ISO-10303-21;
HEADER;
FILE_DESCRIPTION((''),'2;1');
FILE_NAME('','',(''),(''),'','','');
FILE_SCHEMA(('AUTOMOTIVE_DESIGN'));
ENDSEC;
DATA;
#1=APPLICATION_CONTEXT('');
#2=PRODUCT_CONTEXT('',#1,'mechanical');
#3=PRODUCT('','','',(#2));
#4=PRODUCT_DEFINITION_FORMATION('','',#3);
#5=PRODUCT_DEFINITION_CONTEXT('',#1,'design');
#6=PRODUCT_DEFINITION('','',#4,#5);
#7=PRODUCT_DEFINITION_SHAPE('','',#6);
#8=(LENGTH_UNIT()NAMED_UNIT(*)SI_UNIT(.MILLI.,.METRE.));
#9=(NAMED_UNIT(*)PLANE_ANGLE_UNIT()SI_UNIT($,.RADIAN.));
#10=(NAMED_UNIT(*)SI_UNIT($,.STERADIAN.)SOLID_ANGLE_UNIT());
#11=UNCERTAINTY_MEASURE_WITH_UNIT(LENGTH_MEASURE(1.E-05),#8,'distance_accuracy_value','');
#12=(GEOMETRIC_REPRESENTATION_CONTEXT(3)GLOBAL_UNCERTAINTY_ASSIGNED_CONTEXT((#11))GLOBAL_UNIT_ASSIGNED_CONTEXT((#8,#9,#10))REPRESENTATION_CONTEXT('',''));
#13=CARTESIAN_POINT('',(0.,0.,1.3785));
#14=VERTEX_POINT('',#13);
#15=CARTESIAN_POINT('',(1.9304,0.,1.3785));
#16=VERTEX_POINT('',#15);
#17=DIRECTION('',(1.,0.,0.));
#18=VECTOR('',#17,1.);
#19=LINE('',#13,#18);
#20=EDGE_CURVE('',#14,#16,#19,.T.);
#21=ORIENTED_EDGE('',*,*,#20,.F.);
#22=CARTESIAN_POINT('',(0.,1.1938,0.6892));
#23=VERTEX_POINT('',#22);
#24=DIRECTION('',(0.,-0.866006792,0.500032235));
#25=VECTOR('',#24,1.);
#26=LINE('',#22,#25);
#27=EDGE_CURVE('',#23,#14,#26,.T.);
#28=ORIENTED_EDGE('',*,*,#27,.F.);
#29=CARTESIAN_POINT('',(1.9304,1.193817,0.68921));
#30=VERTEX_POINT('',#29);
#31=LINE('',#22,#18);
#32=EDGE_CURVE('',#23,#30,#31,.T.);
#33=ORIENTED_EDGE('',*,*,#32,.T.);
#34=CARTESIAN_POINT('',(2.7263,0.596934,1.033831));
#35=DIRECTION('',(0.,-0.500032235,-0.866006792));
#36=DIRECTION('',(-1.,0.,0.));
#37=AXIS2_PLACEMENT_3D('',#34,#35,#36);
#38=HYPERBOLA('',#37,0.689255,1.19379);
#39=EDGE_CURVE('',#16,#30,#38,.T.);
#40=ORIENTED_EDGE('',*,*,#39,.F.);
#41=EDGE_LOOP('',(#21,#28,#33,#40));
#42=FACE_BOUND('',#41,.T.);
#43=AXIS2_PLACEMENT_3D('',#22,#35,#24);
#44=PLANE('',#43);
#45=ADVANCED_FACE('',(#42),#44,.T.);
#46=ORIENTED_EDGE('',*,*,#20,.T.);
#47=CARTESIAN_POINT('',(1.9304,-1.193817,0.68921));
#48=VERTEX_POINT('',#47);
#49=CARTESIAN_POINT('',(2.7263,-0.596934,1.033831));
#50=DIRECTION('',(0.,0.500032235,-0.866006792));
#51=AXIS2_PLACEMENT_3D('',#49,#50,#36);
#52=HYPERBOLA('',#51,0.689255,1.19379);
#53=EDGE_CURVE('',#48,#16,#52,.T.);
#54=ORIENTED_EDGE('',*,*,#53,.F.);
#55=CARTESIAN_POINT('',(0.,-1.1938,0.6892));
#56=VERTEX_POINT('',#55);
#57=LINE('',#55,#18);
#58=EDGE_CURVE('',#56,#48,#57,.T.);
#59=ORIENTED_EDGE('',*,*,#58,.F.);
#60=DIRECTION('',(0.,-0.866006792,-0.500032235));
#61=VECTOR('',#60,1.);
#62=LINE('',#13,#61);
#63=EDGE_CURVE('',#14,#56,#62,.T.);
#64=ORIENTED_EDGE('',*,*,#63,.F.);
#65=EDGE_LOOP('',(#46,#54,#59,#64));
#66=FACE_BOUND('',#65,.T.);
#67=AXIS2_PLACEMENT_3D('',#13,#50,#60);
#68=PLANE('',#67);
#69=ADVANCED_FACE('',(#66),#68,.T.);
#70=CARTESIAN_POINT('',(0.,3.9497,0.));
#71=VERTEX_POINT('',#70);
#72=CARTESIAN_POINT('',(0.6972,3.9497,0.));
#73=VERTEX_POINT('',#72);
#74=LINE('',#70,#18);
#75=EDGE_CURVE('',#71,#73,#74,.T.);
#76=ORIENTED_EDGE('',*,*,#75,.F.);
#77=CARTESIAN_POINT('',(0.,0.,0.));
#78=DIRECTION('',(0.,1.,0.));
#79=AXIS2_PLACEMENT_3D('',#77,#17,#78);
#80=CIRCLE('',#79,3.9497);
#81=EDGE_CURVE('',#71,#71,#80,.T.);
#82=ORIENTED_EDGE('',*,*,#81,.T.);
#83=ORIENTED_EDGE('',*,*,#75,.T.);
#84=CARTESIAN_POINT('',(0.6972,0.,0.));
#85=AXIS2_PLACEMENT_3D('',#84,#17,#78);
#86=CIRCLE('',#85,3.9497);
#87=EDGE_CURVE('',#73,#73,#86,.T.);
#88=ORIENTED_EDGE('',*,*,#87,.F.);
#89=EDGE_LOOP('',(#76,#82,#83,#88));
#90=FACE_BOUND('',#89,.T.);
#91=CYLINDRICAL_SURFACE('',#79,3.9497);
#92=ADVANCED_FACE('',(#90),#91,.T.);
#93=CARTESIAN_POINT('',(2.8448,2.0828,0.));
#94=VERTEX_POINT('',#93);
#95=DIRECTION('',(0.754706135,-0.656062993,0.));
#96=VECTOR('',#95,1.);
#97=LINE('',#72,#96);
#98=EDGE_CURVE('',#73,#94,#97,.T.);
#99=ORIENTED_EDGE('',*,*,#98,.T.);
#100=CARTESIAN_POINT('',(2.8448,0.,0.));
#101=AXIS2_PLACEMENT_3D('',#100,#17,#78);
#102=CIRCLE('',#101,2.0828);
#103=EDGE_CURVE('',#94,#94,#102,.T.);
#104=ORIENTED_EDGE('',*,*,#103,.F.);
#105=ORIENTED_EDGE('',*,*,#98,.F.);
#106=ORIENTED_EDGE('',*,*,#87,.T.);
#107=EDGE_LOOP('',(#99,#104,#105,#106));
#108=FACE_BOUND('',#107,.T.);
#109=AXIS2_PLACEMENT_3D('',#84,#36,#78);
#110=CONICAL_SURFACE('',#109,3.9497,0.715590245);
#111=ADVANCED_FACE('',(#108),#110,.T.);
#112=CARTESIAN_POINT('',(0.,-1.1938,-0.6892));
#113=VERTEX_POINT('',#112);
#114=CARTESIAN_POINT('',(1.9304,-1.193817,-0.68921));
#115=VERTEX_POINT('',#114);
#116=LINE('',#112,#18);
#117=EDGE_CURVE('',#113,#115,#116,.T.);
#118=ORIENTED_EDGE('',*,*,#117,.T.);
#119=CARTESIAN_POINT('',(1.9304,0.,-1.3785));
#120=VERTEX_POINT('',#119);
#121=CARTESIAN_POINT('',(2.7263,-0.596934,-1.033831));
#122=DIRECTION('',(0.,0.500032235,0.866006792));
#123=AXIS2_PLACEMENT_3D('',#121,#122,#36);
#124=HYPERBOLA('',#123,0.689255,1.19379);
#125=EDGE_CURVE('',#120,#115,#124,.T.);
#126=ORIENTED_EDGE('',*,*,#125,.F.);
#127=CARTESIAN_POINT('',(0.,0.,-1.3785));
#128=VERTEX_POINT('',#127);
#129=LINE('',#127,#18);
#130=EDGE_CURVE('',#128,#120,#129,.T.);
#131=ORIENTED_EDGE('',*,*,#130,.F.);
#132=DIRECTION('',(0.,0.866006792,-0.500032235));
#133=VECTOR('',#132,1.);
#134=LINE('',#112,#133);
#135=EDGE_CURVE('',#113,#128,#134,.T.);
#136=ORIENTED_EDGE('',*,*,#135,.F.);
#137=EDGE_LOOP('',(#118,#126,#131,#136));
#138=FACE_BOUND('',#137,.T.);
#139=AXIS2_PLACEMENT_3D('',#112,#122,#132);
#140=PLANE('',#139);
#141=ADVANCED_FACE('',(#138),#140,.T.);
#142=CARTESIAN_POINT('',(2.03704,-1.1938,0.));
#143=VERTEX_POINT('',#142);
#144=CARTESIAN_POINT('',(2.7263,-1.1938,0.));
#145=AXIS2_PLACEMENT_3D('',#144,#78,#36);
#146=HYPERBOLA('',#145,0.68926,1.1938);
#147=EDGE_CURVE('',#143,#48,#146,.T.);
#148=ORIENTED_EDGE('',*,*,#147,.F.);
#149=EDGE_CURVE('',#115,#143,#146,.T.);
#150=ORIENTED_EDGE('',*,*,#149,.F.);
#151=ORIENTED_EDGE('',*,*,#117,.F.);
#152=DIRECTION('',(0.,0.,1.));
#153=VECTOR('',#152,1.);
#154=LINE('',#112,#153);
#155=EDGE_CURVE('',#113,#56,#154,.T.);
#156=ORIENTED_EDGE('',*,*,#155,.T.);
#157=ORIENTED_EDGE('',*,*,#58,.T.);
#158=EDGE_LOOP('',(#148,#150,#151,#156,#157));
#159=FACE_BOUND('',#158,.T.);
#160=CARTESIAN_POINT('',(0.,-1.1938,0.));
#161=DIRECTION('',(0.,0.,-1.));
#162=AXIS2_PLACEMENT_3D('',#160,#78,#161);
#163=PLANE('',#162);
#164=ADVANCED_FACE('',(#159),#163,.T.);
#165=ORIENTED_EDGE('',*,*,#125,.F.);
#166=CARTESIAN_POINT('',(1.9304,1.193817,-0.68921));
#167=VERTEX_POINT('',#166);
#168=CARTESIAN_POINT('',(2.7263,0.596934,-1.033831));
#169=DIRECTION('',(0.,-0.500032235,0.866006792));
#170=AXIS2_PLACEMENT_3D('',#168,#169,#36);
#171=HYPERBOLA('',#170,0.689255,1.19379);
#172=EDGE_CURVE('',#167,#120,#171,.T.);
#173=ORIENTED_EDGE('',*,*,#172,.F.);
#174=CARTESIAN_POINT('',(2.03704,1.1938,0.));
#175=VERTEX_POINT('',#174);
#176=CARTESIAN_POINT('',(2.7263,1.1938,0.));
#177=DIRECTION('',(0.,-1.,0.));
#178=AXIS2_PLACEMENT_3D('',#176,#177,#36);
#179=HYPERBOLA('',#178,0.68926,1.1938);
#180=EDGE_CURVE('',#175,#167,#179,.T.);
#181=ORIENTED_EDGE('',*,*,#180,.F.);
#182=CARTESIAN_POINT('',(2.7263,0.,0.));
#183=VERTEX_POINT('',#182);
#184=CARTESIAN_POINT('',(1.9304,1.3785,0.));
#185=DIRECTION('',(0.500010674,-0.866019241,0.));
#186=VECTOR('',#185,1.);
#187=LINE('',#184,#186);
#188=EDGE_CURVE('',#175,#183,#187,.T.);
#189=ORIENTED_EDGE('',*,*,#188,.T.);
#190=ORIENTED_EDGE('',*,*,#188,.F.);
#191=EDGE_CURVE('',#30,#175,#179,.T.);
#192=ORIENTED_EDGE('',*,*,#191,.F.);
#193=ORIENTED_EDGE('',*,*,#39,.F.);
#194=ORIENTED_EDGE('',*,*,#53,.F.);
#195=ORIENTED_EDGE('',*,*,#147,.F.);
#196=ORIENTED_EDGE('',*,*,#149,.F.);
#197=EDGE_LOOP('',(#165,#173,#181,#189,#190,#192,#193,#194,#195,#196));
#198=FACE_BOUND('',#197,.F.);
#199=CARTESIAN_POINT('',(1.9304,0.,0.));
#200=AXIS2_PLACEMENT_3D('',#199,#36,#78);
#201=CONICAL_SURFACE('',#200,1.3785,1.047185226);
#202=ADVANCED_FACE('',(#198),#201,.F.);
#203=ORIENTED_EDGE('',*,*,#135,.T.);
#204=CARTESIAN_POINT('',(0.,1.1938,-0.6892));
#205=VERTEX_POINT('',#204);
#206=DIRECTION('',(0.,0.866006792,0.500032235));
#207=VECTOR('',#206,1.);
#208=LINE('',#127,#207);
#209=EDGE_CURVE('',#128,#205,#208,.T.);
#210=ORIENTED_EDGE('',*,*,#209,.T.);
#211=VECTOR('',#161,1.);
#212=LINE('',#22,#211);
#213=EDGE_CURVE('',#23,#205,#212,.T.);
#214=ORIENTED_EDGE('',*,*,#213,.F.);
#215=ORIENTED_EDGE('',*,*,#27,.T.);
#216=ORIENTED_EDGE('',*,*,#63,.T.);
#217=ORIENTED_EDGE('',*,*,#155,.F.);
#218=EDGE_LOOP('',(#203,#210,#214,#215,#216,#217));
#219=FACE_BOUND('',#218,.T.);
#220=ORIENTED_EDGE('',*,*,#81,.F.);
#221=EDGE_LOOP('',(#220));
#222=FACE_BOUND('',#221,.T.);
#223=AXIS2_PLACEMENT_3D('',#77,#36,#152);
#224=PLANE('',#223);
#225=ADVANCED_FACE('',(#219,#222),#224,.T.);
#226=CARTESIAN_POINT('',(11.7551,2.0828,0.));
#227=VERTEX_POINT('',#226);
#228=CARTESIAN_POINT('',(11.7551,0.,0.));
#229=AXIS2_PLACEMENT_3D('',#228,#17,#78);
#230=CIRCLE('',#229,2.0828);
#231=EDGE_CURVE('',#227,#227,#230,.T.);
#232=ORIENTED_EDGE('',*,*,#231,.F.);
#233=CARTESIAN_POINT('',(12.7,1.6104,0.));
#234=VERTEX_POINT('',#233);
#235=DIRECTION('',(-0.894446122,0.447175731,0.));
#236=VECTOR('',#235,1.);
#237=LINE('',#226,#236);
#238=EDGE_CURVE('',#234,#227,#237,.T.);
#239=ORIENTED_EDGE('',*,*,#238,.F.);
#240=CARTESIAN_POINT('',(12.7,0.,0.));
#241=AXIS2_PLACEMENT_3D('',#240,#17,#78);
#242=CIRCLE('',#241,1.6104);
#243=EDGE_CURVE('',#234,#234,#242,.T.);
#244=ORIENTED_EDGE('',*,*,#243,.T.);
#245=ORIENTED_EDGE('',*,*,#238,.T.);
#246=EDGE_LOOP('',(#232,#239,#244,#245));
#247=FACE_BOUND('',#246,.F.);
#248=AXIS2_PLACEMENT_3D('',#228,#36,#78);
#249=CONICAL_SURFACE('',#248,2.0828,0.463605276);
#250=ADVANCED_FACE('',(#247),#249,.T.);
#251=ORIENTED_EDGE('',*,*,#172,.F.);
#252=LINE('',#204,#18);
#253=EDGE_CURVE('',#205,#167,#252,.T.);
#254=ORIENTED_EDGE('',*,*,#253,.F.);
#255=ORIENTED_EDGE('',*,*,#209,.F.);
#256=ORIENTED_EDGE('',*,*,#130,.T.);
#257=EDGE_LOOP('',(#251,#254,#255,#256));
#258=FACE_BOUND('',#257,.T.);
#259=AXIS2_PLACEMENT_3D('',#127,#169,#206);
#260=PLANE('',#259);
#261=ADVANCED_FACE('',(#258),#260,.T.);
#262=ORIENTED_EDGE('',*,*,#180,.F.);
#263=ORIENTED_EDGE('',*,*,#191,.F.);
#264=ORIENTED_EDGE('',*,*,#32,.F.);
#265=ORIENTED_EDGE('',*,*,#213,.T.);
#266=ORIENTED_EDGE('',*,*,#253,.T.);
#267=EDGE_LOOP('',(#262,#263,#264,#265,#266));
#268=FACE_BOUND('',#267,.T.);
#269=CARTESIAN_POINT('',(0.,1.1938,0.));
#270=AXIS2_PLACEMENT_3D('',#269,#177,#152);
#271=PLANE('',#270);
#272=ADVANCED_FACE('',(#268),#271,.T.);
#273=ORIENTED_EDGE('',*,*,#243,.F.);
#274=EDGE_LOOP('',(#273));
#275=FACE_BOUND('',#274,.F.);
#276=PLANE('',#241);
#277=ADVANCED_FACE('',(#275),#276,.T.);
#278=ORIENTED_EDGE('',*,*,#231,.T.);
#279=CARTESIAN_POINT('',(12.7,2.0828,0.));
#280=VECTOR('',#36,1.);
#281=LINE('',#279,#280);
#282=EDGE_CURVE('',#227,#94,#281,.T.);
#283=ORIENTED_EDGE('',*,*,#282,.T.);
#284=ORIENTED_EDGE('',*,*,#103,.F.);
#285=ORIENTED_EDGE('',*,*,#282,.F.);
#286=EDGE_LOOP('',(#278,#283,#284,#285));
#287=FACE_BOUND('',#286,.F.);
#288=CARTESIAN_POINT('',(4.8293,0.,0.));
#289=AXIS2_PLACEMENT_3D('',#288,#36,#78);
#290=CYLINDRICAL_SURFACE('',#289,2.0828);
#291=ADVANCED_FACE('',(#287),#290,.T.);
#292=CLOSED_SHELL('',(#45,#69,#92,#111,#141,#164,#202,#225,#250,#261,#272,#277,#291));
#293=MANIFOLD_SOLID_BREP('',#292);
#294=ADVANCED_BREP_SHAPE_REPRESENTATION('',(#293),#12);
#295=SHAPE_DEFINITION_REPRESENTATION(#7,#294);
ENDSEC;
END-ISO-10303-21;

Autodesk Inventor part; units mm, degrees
ref_plane "YZ Plane" through (0, 0, 0) normal (1, 0, 0) x (0, 1, 0)
ref_plane "XZ Plane" through (0, 0, 0) normal (0, 1, 0) x (-1, 0, 0)
sketch "Sketch1" plane through (0, 0, 0) normal (0, 0, 1) x (1, 0, 0)
  line L0 (12.7, 0) -> (12.7, 2.0828)
  line L1 (12.7, 2.0828) -> (4.8293, 2.0828)
  line L2 (4.8293, 2.0828) -> (2.8448, 2.0828)
  line L3 (0, 3.9497) -> (0, 1.3785)
  line L4 (0, 1.3785) -> (1.9304, 1.3785)
  line L5 (1.9304, 1.3785) -> (2.7263, 0)
  line L6 (2.7263, 0) -> (12.7, 0)
  line L7 (0, 3.9497) -> (0.6972, 3.9497)
  line L8 (0.6972, 3.9497) -> (2.8448, 2.0828)
  line L9 (2.8448, 2.0828) -> (2.8448, 2.0828)
  line L10 (4.8293, 2.0828) -> (2.8448, 2.0828) construction
  line L11 (2.8448, 2.0828) -> (2.8448, 2.0828)
  line L12 (-2.54, 0) -> (15.24, 0) projected
  line L13 (0, -0.7899) -> (0, 4.7396) projected
  dimension "d0" = 12.7
  dimension "d1" = 7.8707
  dimension "d2" = 1.9304
  dimension "d3" = 4.1656
  dimension "d6" = 2.8448
  dimension "d7" = 41
  dimension "d8" = 2.757
  dimension "d9" = 60
  dimension "d10" = 7.8994
  dimension "d11" = 4.1656
  dimension "d12" = 1.9845
revolve "Body" add sketch "Sketch1" angle 360 about axis through (2.7263, 0, 0) along (1, 0, 0) contours L6 L5 L4 L3 L7 L8 L2 L1 L0
sketch "Sketch2" plane through (0, 0, 0) normal (-1, 0, 0) x (0, 0, 1)
  circle A0 centre (0, 0) radius 1.3785 projected
  line L0 (0, -5.5296) -> (0, 5.5296) projected
  line L1 (-5.5296, 0) -> (5.5296, 0) projected
  line L2 (1.3785, 0) -> (0.6892, -1.1938)
  line L3 (0.6892, -1.1938) -> (-0.6892, -1.1938)
  line L4 (-0.6892, -1.1938) -> (-1.3785, 0)
  line L5 (-1.3785, 0) -> (-0.6892, 1.1938)
  line L6 (-0.6892, 1.1938) -> (0.6892, 1.1938)
  line L7 (0.6892, 1.1938) -> (1.3785, 0)
  point P0 (0, 1.3785)
extrude "Slot" add sketch "Sketch2" against normal up to next contours L7 A0 | A0 L2 | L6 L0 A0 | A0 L0 L3 | L0 L6 A0 | A0 L3 L0 | L4 A0 | A0 L5
thread "Thread" size "8-32 UNC" class "2A" standard "ANSI Unified Screw Threads" length 7.8707
chamfer "Chamfer1" distance 0.4724 distance2 0.9449 1 edges at (12.7, -2.0828, 0) measured on face at (12.7, -0.7994, 0.0552)
ref_plane "Work Plane1" through (104.775, 0, 0) normal (0, 0, -1) x (1, 0, 0)
equation "\"d15\" = GEL"
equation "\"d17\" = -0.5 * SPD + 0.5 * GD"
equation "\"d18\" = GUL"
equation "\"d0\" = NLG"
equation "\"d1\" = GEL"
equation "\"d2\" = INTI"
equation "\"d3\" = GD"
equation "\"d6\" = KOH"
equation "\"d7\" = 0.5 * SEWI"
equation "\"d8\" = 1.1547 * SW"
equation "\"d10\" = KOD"
equation "\"d11\" = BDM"
equation "\"d12\" = GAL"
equation "\"NLG\" = 12.7"
equation "\"INTI\" = 1.9304"
equation "\"GEL\" = 7.8707"
equation "\"GAL\" = 1.9845"
equation "\"KOH\" = 2.8448"
equation "\"KOD\" = 7.8994"
equation "\"GUL\" = 0.94488"
equation "\"SPD\" = 3.22072"
equation "\"BDM\" = NND"
equation "\"GD\" = NND"
equation "\"SEWI\" = 82deg"
equation "\"SW\" = 2.3876"
equation "\"TOA\" = 30deg"
equation "\"GD1\" = SPD"
equation "\"THREADDIA\" = 4.1656"
equation "\"HHPTC\" = 0.79375"
equation "\"NND\" = 4.1656"
equation "\"E0\" = 1.155 * SW"
properties part number "ANSI B18.3 - 8-32 UNC x 0.5" material "Steel, Mild"
